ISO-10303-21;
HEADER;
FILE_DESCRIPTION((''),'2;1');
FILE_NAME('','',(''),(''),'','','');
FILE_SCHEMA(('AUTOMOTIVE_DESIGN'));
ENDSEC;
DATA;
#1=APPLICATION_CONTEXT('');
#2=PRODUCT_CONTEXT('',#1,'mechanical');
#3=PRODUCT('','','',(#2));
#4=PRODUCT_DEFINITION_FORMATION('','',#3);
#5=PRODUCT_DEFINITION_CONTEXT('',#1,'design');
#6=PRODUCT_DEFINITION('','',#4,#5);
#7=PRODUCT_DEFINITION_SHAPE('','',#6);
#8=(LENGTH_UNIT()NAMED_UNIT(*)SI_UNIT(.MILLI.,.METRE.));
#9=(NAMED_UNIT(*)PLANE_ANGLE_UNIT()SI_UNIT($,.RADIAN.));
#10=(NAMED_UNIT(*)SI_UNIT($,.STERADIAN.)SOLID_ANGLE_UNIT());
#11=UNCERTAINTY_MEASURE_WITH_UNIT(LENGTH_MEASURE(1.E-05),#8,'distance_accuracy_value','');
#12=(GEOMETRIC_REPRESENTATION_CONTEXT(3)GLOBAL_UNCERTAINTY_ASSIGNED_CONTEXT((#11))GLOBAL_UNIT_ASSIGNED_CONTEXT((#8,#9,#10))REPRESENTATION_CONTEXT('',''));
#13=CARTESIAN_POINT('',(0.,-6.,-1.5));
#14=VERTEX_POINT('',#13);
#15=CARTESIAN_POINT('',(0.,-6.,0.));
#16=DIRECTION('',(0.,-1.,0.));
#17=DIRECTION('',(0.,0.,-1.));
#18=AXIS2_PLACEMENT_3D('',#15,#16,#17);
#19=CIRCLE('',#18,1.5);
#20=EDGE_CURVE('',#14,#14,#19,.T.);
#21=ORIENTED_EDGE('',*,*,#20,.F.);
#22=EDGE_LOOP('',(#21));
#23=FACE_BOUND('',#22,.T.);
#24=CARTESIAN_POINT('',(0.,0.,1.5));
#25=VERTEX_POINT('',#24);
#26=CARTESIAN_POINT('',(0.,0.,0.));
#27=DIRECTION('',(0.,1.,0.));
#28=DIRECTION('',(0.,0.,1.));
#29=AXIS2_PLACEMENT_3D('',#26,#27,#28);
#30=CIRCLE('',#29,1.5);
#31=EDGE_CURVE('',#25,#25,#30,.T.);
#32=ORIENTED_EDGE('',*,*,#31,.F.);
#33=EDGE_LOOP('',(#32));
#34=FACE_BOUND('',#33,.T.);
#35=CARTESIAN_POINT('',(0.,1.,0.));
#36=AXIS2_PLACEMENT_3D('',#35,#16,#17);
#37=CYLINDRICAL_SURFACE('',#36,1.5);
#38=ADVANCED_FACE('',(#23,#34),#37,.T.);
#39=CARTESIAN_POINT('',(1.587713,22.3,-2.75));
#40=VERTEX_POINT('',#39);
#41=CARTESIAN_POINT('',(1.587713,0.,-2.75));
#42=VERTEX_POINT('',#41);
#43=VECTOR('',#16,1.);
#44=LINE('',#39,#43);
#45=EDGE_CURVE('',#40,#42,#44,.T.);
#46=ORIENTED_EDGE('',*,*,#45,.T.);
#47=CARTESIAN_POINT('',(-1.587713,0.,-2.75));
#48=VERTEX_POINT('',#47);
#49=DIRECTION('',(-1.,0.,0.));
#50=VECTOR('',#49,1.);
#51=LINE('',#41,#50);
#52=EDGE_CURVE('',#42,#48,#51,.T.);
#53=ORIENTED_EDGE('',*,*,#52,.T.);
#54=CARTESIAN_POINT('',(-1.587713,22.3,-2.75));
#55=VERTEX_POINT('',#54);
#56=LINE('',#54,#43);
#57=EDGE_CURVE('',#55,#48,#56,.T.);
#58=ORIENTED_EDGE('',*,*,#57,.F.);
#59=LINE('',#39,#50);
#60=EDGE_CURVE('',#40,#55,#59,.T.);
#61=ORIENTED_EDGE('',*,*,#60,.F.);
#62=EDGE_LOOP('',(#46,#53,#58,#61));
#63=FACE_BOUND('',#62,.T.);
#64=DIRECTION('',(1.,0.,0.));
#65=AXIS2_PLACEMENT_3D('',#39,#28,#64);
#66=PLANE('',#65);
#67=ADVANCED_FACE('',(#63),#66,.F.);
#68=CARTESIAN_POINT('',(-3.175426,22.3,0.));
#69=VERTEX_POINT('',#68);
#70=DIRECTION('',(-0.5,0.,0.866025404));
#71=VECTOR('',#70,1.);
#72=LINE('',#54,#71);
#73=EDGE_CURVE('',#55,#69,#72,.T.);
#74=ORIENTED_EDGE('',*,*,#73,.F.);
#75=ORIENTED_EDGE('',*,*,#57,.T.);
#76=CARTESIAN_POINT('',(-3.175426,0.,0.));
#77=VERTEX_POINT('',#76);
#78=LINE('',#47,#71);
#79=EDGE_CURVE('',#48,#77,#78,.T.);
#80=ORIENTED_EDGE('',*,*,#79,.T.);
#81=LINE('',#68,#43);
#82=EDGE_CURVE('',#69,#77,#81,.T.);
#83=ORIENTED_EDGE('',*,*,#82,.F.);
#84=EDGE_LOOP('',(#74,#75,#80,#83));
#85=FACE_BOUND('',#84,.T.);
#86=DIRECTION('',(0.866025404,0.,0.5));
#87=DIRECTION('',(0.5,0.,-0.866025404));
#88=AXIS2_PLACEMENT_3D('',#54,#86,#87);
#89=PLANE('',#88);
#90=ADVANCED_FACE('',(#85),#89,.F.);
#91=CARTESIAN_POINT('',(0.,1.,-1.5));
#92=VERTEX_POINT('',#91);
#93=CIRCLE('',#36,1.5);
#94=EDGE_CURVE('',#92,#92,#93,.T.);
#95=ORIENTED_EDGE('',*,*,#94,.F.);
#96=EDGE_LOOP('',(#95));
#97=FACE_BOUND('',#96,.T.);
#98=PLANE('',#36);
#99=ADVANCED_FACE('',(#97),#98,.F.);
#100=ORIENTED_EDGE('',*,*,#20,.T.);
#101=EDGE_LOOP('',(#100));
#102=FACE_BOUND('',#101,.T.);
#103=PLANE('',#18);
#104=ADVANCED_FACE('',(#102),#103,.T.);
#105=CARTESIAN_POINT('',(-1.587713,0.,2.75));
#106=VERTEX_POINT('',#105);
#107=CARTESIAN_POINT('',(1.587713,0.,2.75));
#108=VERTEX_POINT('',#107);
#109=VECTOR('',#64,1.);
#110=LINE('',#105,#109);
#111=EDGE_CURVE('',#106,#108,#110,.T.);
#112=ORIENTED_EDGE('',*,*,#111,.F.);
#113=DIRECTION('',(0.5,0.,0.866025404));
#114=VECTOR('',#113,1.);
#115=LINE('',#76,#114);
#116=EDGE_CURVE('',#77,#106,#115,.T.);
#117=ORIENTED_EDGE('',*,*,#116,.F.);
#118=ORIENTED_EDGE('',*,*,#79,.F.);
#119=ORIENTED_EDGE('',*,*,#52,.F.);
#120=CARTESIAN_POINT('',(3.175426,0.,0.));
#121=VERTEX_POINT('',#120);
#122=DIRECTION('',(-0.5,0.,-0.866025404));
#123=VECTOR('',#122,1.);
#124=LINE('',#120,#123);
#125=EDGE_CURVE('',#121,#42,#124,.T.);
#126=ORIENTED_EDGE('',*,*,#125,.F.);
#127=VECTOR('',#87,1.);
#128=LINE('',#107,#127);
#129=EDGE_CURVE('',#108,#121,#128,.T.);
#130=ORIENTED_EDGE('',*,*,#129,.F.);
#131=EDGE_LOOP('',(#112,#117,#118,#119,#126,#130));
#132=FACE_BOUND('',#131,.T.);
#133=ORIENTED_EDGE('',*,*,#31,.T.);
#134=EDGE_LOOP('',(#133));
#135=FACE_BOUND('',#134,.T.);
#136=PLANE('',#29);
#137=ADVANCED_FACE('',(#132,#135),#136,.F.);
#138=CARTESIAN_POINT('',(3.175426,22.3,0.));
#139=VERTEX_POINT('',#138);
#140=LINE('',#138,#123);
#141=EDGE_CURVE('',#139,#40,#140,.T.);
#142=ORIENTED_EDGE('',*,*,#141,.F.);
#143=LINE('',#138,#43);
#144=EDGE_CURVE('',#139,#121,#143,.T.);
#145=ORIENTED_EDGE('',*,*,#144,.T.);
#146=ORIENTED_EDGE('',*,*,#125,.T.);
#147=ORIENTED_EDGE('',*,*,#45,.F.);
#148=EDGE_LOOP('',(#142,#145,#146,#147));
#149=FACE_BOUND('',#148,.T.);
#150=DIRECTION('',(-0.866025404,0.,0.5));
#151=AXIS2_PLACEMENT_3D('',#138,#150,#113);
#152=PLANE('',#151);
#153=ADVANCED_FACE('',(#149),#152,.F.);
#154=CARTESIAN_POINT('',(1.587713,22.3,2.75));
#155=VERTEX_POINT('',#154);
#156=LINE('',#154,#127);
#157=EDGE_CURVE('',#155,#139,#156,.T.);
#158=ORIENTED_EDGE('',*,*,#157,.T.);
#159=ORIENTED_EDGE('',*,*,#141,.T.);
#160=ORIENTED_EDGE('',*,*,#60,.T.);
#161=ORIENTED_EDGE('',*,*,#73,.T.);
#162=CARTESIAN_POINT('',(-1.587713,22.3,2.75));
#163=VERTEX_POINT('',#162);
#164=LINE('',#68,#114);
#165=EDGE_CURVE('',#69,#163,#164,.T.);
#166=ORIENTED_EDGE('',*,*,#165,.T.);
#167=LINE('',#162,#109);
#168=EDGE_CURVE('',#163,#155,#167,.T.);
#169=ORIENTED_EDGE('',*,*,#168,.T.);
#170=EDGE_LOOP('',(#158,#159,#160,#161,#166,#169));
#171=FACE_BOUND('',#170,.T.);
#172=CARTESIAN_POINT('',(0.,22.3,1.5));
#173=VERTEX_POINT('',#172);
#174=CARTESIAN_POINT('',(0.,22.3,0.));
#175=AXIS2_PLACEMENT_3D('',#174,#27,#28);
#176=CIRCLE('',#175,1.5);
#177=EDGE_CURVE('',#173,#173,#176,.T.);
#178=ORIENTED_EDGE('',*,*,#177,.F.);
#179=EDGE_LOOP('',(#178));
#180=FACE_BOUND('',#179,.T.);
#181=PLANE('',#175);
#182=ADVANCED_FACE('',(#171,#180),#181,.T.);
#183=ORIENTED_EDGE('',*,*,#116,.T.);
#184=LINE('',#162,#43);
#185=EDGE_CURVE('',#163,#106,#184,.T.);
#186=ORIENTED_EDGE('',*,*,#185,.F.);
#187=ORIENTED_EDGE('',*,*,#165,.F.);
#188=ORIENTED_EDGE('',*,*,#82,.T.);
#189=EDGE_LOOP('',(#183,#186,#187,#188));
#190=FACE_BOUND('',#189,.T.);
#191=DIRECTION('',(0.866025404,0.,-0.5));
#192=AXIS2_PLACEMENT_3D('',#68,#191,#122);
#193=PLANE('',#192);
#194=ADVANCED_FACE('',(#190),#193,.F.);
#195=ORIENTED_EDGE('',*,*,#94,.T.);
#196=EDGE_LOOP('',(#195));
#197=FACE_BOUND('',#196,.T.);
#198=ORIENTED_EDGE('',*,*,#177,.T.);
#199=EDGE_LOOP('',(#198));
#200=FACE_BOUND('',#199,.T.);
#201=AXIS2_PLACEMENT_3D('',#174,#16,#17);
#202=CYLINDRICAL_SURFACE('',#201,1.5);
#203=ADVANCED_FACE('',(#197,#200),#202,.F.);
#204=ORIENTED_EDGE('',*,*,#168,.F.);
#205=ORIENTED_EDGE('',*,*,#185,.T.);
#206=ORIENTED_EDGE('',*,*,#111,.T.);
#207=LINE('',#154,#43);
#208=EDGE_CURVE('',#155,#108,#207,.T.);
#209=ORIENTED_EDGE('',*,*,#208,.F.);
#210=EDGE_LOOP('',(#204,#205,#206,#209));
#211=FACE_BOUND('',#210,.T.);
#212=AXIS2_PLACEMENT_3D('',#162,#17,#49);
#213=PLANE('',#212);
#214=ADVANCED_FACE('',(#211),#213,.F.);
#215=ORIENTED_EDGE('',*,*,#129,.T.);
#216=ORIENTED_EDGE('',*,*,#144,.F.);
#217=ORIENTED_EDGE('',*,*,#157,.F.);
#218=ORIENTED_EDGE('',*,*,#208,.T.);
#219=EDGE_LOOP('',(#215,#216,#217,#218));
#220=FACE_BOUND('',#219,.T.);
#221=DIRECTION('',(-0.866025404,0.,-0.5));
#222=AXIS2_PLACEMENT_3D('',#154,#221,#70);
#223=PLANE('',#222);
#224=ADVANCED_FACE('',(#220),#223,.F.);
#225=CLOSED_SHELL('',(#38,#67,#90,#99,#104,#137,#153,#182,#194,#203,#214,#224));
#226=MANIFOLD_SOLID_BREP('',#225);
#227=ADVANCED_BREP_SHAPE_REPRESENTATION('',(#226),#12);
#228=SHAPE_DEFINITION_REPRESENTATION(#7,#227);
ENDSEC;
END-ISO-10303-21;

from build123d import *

# Parameters (mm, degrees)
ESQUISSE1_R             = 1.5
BOSS_EXTRU_1_DEPTH      = 22.3
BOSS_EXTRU_2_DEPTH      = 6
BOSS_EXTRU_2_DEPTH_BACK = 1
ESQUISSE2_R             = 1.5


with BuildPart() as part:
    # Esquisse1 → Boss.-Extru.1 (new body)
    with BuildSketch(Plane(origin=(0, 0, 0), x_dir=(1, 0, 0), z_dir=(0, 1, 0))):
        Polygon((1.58771324, 2.75), (-1.58771324, 2.75), (-3.175426481, 0), (-1.58771324, -2.75), (1.58771324, -2.75), (3.175426481, 0), align=None)
        with Locations(Location((0, 0, 0), (0, 0, 270))):
            Circle(ESQUISSE1_R, mode=Mode.SUBTRACT)
    extrude(amount=BOSS_EXTRU_1_DEPTH)

    # Esquisse2 → Boss.-Extru.2 (add, two sides: drawn at the far end of the back side and taken through both)
    with BuildSketch(Plane.XZ.offset(-BOSS_EXTRU_2_DEPTH_BACK)):
        with Locations(Location((0, 0, 0), (0, 0, 270))):
            Circle(ESQUISSE2_R)
    extrude(amount=BOSS_EXTRU_2_DEPTH + BOSS_EXTRU_2_DEPTH_BACK)


solid = part.part
